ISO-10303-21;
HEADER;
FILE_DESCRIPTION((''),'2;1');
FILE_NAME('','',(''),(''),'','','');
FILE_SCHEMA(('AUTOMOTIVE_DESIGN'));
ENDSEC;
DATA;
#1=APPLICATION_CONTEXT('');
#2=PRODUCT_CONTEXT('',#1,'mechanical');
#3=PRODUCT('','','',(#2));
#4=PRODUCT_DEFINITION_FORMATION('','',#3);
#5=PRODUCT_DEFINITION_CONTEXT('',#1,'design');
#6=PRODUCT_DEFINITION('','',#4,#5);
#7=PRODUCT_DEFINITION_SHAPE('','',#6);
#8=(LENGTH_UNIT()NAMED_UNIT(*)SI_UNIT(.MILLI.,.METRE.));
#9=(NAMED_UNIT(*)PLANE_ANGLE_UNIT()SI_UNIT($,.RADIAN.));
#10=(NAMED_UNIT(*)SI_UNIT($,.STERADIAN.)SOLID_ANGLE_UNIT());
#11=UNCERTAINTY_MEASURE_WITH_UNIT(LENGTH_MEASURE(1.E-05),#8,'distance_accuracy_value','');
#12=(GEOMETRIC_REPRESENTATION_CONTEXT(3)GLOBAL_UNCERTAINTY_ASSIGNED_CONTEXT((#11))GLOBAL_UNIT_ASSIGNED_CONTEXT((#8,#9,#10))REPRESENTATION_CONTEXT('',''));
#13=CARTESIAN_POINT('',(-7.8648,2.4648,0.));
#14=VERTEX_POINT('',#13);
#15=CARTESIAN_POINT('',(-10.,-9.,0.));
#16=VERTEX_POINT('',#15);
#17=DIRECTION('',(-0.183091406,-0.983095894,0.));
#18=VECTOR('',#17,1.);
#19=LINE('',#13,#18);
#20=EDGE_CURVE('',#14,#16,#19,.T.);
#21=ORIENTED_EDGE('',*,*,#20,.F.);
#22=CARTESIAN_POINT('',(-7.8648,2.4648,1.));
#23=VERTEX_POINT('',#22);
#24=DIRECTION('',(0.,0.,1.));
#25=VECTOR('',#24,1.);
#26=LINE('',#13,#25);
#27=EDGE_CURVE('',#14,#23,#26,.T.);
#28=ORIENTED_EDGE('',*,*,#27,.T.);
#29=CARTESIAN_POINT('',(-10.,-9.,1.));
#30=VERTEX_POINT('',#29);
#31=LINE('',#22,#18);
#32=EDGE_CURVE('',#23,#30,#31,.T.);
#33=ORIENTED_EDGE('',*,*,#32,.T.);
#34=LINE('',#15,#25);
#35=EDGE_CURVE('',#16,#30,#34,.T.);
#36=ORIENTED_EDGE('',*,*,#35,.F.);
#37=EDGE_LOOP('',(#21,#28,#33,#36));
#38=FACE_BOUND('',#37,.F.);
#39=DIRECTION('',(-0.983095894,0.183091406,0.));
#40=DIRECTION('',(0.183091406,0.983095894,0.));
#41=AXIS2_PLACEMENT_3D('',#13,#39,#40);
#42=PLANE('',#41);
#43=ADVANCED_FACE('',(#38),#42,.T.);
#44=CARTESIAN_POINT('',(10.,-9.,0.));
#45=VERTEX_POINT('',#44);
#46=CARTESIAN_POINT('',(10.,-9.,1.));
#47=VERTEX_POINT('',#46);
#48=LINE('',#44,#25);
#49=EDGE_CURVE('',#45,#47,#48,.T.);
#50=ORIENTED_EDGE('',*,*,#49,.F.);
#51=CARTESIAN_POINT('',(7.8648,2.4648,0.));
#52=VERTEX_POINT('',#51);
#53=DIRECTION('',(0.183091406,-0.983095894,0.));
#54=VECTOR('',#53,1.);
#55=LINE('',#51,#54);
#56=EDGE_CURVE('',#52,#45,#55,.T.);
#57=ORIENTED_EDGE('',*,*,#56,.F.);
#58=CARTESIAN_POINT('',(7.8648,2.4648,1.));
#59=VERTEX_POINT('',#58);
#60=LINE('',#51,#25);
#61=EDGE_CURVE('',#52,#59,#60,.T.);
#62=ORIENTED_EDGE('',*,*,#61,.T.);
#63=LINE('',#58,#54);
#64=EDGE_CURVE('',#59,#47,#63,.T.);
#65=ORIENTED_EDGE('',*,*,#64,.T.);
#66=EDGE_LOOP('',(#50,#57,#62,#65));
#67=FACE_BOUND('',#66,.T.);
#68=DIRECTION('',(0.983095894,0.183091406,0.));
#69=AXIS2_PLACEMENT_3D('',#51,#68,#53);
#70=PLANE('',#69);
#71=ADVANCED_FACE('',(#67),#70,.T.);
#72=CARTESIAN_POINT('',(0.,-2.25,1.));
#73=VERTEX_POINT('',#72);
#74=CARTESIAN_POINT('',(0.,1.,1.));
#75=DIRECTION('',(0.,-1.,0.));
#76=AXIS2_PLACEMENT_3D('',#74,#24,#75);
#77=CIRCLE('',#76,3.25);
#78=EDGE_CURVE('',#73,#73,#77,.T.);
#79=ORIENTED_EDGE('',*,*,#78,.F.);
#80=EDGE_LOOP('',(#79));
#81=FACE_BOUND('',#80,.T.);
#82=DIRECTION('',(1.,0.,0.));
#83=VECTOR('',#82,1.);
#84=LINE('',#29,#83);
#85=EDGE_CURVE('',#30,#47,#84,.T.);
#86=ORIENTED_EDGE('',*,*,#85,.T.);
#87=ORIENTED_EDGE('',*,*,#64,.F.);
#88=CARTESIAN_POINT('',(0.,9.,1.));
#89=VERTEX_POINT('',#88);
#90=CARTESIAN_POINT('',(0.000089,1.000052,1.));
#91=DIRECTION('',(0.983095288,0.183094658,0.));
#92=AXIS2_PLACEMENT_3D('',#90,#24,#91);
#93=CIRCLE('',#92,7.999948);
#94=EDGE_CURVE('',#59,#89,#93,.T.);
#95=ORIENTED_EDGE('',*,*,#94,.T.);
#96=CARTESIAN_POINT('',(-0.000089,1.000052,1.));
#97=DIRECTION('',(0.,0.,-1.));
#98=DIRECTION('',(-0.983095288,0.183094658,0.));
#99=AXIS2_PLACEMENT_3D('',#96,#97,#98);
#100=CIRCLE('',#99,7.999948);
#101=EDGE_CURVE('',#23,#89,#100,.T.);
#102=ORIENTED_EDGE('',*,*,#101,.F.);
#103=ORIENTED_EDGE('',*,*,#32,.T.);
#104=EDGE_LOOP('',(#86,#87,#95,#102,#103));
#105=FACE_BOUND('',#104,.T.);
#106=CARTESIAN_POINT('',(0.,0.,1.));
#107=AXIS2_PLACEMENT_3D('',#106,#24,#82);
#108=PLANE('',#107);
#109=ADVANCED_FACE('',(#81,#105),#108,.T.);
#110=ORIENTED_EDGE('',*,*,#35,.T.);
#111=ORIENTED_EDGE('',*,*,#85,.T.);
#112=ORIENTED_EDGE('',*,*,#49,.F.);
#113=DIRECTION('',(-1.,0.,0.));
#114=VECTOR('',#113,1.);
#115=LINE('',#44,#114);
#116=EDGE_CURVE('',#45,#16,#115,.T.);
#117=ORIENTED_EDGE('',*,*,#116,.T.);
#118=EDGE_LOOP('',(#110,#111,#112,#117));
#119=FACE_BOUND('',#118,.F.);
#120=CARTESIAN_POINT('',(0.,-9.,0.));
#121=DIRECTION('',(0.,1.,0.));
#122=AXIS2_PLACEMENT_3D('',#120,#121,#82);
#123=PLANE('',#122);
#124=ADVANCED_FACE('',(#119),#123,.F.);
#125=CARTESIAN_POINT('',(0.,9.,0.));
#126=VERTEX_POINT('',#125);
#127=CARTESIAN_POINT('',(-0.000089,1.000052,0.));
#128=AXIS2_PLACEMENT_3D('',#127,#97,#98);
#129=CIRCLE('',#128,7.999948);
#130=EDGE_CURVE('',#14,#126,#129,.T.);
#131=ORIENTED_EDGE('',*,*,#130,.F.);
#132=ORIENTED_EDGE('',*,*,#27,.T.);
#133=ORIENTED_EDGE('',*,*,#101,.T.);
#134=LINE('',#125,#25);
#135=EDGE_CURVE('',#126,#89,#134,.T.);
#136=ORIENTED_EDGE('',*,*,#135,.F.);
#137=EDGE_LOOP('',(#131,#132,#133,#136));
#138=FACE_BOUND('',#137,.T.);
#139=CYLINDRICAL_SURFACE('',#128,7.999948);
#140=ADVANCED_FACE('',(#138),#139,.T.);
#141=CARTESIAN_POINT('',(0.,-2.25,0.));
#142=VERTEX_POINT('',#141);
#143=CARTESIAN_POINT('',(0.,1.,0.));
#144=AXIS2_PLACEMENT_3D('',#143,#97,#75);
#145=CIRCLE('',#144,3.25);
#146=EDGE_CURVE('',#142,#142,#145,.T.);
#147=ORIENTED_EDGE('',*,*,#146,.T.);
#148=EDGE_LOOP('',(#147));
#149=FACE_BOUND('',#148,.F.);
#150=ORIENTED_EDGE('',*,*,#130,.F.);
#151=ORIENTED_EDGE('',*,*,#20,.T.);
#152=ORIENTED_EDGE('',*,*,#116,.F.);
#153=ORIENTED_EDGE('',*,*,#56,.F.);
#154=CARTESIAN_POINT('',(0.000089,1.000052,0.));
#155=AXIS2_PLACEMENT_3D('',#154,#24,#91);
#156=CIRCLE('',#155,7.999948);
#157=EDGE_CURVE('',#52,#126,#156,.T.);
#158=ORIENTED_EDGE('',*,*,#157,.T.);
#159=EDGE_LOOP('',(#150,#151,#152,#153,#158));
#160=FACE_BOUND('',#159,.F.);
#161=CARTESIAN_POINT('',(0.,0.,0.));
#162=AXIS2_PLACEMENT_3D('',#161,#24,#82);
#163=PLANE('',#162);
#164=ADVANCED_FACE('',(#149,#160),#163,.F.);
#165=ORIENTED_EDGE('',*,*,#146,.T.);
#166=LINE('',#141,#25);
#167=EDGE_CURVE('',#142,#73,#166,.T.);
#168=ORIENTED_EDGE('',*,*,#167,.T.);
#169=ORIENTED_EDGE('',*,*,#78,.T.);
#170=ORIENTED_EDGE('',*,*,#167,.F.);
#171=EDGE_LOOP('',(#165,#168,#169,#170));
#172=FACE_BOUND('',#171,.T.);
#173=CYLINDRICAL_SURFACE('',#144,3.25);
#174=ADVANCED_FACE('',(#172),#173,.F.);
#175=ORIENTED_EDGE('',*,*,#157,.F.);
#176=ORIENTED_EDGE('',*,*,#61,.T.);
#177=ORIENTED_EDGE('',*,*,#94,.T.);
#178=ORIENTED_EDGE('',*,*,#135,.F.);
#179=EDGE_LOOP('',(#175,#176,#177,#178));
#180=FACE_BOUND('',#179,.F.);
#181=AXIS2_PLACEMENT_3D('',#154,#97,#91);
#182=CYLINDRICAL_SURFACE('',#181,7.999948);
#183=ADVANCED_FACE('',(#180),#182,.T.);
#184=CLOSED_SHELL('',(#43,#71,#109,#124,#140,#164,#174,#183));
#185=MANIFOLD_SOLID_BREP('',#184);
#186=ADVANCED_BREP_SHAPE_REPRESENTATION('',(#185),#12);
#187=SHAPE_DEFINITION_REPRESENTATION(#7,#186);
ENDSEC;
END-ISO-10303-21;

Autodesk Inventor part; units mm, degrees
ref_plane "YZ Plane" through (0, 0, 0) normal (1, 0, 0) x (0, 1, 0)
ref_plane "XZ Plane" through (0, 0, 0) normal (0, 1, 0) x (-1, 0, 0)
ref_plane "XY Plane" through (0, 0, 0) normal (0, 0, 1) x (1, 0, 0)
sketch "Эскиз1" plane through (0, 0, 0) normal (0, 0, 1) x (1, 0, 0)
  line L0 (0, 9) -> (0, -9) construction
  line L1 (0, -9) -> (10, -9)
  arc A0 (0, -2.25) -> (0, 4.25) centre (0, 1) ccw
  arc A1 (7.8648, 2.4648) -> (0, 9) centre (0, 1) ccw
  line L2 (7.8648, 2.4648) -> (10, -9)
  line L3 (0, 9) -> (0, 4.25)
  line L4 (0, -2.25) -> (0, -9)
  point P0 (0, 0)
  point P1 (0, 0)
  dimension "d0" = 18
  dimension "d1" = 10
  dimension "d2" = 3.25
  dimension "d3" = 10
extrude "Выдавливание1" add sketch "Эскиз1" along normal blind 1
mirror "Зеркальное отражение1" about plane through (0, 0, 0) normal (1, 0, 0) of "Выдавливание1"
properties part number "76. Стопор штуцера"
